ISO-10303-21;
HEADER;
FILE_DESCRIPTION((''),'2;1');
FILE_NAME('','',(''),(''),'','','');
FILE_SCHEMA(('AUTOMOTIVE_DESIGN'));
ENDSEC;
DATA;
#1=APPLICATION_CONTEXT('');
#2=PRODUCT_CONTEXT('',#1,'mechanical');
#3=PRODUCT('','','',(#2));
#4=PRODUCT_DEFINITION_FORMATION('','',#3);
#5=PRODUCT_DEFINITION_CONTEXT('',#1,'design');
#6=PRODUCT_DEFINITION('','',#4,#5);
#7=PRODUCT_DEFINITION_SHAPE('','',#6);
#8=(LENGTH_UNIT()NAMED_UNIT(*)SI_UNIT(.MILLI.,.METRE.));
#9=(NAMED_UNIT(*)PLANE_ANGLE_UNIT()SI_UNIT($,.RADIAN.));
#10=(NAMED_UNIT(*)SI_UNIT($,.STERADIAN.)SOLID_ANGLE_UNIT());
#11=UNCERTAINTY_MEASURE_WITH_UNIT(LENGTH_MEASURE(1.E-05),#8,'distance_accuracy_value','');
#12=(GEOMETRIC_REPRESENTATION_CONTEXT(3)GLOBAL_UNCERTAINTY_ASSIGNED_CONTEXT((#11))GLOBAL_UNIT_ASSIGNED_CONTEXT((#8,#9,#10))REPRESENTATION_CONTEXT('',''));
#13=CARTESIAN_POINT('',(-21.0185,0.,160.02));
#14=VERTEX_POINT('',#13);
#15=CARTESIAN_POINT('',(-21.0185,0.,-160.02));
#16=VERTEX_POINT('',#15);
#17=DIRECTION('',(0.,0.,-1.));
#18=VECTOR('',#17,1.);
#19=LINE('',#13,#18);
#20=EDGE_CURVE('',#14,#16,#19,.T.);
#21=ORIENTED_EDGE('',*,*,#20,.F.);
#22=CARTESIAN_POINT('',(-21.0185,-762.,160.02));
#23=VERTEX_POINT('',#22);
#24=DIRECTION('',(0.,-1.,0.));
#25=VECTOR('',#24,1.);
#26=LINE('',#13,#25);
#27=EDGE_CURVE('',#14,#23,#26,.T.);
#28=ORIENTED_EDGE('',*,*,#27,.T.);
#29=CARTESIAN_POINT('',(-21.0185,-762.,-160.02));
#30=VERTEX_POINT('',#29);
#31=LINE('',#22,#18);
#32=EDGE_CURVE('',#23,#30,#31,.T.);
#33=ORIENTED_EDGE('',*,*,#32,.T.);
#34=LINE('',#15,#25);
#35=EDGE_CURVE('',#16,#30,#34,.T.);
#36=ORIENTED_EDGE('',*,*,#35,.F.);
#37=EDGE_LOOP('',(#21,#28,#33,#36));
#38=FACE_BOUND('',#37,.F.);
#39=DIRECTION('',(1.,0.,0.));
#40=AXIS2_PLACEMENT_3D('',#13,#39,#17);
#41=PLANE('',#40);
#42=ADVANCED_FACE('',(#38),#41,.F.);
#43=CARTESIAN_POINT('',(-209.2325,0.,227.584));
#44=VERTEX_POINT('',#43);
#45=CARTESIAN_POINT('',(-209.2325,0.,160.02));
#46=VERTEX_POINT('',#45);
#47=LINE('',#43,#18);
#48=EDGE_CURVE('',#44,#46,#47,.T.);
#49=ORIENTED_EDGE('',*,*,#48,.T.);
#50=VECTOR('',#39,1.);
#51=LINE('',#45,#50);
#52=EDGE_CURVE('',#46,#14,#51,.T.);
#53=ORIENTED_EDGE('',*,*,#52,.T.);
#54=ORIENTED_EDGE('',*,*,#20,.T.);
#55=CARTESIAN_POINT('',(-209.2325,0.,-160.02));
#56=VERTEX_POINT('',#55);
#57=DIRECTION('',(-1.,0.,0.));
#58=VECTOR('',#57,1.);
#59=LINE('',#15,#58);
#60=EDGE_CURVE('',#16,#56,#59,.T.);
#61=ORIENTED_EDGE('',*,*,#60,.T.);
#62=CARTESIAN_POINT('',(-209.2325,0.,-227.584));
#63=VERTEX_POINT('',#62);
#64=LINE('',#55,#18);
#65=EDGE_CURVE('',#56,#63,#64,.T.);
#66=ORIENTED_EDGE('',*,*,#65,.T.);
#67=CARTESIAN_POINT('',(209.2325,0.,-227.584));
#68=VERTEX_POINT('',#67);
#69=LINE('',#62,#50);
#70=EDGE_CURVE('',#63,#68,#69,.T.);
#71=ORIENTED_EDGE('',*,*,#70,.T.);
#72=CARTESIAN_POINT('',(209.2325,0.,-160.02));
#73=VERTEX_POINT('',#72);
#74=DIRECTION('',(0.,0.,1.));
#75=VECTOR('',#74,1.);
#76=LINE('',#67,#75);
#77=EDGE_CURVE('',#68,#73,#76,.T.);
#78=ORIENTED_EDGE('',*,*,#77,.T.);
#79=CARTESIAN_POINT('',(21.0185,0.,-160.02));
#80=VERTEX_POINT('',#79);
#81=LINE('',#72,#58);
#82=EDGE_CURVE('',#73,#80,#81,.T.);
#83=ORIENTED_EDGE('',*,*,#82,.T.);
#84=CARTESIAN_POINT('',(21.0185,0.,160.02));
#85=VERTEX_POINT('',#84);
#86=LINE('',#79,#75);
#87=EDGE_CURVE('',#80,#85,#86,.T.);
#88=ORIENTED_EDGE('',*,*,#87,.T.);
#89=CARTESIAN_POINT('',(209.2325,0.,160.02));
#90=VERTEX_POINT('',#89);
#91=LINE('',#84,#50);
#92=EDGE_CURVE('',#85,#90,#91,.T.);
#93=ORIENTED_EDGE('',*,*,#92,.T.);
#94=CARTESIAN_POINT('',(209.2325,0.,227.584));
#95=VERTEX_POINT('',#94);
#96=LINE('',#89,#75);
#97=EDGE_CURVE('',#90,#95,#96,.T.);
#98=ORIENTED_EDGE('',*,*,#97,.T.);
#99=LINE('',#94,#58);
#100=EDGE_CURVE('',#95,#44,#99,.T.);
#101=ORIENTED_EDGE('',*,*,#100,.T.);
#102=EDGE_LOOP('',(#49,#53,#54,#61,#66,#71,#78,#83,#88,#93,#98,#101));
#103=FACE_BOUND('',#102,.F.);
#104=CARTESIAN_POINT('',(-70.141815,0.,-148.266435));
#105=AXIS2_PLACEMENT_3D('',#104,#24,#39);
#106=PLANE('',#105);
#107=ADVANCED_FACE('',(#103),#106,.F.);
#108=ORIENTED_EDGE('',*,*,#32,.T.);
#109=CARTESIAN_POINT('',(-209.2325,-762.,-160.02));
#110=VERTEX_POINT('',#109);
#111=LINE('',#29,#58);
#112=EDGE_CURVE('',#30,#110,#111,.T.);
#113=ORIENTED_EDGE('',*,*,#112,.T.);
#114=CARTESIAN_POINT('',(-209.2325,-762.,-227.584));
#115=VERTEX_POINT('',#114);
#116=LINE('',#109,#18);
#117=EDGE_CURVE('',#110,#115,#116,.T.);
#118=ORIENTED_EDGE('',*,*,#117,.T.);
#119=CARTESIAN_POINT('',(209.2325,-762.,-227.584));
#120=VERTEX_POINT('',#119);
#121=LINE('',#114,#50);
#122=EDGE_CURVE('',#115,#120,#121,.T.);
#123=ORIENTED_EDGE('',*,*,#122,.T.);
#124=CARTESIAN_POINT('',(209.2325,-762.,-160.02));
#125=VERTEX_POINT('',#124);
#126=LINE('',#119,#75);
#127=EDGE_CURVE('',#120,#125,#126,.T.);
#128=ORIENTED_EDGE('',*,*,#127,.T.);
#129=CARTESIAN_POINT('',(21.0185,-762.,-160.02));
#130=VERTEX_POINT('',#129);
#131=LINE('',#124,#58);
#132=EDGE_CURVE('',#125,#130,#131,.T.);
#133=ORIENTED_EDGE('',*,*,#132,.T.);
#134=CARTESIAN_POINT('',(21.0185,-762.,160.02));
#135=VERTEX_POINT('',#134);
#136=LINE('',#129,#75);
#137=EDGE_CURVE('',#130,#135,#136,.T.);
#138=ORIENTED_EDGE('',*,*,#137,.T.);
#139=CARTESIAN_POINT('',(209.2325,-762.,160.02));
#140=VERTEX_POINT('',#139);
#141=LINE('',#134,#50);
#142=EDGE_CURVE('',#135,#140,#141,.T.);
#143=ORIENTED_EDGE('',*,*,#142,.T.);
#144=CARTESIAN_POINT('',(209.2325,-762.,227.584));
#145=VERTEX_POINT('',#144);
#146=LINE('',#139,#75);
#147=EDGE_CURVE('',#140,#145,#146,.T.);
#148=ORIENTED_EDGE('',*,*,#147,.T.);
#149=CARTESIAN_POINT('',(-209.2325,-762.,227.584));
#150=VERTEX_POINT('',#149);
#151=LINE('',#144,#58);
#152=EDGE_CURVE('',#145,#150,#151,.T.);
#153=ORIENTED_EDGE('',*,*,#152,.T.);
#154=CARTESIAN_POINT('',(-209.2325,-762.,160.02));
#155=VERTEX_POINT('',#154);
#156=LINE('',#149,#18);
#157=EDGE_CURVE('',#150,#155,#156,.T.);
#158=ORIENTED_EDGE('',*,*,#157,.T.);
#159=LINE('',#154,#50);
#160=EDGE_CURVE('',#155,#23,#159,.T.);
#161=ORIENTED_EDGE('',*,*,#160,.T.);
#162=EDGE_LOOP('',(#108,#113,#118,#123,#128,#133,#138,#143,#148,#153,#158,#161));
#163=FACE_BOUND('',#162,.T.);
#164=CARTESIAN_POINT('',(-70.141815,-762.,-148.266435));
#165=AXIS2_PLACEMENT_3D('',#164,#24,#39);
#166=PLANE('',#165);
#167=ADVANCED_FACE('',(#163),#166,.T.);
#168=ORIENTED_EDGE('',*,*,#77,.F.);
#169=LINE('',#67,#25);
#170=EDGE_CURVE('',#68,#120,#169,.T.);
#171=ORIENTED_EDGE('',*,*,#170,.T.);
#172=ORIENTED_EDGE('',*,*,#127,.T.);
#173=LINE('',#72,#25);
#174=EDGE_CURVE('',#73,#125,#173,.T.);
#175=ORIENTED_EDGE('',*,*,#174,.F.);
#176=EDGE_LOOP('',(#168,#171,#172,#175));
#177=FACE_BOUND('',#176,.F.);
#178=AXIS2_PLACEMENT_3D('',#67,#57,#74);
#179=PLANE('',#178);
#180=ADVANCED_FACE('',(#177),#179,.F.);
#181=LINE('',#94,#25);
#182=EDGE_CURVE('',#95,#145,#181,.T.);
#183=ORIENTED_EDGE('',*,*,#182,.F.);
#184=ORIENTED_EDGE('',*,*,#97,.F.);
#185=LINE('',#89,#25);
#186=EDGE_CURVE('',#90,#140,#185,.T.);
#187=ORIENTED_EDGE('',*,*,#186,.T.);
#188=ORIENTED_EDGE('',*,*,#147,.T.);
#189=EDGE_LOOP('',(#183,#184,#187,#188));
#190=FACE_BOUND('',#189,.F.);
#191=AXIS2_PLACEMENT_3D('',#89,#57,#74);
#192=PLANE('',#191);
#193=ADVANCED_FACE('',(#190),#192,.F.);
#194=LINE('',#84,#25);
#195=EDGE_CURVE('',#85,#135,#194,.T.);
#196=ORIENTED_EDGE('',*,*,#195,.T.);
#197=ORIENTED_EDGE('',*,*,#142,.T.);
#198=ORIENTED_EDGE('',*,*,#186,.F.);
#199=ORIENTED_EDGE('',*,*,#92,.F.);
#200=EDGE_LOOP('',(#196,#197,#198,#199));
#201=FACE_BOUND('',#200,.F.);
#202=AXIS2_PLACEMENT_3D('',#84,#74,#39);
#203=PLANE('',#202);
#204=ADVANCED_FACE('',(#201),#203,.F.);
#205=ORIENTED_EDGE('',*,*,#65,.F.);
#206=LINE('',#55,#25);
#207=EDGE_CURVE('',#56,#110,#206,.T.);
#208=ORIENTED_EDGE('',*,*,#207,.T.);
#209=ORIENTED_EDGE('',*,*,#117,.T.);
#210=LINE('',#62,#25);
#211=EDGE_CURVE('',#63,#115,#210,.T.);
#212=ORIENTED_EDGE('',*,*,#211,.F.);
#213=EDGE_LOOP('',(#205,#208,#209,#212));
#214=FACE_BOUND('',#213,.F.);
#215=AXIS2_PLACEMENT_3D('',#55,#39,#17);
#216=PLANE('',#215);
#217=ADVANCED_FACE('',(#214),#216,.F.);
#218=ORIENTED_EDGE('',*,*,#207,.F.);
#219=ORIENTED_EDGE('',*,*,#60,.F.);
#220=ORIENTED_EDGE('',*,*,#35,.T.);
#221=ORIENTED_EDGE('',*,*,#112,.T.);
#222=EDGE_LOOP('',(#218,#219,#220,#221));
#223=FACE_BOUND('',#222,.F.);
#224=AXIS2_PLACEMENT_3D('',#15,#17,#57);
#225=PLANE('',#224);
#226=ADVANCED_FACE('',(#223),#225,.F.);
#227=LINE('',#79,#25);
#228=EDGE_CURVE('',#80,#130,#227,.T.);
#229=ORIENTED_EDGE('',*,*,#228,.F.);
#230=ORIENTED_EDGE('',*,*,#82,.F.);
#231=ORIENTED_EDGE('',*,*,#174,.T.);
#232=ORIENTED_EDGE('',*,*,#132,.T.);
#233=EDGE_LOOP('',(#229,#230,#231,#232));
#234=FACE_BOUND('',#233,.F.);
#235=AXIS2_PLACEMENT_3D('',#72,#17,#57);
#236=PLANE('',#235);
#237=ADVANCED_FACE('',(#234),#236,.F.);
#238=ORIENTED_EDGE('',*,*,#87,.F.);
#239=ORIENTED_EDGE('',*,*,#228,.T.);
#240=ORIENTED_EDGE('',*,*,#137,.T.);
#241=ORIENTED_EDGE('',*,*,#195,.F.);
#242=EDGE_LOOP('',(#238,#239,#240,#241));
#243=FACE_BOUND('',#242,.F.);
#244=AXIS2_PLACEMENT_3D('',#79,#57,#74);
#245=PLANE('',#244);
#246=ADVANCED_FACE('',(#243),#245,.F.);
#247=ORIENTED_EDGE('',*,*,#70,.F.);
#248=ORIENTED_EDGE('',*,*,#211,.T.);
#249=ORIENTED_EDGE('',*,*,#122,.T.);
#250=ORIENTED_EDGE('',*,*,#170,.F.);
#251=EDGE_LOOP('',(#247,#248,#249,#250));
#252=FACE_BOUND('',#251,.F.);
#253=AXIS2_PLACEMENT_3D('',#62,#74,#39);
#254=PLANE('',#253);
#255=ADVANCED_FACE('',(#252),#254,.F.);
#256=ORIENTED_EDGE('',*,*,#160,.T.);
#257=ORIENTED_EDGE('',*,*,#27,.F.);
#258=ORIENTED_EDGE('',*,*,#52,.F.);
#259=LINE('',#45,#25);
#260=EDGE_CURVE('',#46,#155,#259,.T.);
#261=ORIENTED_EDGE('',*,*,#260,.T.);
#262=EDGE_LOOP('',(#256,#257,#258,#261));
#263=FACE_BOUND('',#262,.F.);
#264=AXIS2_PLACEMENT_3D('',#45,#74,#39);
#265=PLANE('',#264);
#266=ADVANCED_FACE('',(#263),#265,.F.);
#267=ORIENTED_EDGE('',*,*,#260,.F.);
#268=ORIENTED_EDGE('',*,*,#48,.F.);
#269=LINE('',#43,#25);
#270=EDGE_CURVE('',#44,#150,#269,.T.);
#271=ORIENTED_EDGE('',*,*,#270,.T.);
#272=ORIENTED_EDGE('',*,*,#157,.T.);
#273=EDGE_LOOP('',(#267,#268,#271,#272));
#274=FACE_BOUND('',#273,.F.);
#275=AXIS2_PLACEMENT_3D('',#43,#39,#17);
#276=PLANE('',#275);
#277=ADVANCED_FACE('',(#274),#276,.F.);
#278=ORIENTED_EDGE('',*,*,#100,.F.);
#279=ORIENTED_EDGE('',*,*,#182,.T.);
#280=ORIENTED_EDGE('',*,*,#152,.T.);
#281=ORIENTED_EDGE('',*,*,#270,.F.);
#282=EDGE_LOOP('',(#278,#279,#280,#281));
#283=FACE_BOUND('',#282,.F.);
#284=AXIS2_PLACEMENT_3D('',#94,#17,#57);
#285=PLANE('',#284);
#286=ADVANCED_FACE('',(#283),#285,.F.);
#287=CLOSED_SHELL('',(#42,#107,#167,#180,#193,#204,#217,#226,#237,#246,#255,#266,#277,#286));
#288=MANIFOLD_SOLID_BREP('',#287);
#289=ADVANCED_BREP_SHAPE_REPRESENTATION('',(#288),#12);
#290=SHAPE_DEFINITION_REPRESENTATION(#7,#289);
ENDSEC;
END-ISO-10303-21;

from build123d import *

# Parameters (mm, degrees)
F1_DEPTH = 762


with BuildPart() as f1:
    # F0 (on Front) → F1 (new body)
    with BuildSketch(Plane.XZ):
        Polygon((0, -227.584), (0, 0), (-21.0185, 0), (-21.0185, -160.02), (-209.2325, -160.02), (-209.2325, -227.584), align=None)
        Polygon((-21.0185, 0), (0, 0), (0, 227.584), (-209.2325, 227.584), (-209.2325, 160.02), (-21.0185, 160.02), align=None)
        Polygon((0, 227.584), (0, 0), (0, -227.584), (209.2325, -227.584), (209.2325, -160.02), (21.0185, -160.02), (21.0185, 0), (21.0185, 160.02), (209.2325, 160.02), (209.2325, 227.584), align=None)
    extrude(amount=F1_DEPTH)


solid = f1.part
